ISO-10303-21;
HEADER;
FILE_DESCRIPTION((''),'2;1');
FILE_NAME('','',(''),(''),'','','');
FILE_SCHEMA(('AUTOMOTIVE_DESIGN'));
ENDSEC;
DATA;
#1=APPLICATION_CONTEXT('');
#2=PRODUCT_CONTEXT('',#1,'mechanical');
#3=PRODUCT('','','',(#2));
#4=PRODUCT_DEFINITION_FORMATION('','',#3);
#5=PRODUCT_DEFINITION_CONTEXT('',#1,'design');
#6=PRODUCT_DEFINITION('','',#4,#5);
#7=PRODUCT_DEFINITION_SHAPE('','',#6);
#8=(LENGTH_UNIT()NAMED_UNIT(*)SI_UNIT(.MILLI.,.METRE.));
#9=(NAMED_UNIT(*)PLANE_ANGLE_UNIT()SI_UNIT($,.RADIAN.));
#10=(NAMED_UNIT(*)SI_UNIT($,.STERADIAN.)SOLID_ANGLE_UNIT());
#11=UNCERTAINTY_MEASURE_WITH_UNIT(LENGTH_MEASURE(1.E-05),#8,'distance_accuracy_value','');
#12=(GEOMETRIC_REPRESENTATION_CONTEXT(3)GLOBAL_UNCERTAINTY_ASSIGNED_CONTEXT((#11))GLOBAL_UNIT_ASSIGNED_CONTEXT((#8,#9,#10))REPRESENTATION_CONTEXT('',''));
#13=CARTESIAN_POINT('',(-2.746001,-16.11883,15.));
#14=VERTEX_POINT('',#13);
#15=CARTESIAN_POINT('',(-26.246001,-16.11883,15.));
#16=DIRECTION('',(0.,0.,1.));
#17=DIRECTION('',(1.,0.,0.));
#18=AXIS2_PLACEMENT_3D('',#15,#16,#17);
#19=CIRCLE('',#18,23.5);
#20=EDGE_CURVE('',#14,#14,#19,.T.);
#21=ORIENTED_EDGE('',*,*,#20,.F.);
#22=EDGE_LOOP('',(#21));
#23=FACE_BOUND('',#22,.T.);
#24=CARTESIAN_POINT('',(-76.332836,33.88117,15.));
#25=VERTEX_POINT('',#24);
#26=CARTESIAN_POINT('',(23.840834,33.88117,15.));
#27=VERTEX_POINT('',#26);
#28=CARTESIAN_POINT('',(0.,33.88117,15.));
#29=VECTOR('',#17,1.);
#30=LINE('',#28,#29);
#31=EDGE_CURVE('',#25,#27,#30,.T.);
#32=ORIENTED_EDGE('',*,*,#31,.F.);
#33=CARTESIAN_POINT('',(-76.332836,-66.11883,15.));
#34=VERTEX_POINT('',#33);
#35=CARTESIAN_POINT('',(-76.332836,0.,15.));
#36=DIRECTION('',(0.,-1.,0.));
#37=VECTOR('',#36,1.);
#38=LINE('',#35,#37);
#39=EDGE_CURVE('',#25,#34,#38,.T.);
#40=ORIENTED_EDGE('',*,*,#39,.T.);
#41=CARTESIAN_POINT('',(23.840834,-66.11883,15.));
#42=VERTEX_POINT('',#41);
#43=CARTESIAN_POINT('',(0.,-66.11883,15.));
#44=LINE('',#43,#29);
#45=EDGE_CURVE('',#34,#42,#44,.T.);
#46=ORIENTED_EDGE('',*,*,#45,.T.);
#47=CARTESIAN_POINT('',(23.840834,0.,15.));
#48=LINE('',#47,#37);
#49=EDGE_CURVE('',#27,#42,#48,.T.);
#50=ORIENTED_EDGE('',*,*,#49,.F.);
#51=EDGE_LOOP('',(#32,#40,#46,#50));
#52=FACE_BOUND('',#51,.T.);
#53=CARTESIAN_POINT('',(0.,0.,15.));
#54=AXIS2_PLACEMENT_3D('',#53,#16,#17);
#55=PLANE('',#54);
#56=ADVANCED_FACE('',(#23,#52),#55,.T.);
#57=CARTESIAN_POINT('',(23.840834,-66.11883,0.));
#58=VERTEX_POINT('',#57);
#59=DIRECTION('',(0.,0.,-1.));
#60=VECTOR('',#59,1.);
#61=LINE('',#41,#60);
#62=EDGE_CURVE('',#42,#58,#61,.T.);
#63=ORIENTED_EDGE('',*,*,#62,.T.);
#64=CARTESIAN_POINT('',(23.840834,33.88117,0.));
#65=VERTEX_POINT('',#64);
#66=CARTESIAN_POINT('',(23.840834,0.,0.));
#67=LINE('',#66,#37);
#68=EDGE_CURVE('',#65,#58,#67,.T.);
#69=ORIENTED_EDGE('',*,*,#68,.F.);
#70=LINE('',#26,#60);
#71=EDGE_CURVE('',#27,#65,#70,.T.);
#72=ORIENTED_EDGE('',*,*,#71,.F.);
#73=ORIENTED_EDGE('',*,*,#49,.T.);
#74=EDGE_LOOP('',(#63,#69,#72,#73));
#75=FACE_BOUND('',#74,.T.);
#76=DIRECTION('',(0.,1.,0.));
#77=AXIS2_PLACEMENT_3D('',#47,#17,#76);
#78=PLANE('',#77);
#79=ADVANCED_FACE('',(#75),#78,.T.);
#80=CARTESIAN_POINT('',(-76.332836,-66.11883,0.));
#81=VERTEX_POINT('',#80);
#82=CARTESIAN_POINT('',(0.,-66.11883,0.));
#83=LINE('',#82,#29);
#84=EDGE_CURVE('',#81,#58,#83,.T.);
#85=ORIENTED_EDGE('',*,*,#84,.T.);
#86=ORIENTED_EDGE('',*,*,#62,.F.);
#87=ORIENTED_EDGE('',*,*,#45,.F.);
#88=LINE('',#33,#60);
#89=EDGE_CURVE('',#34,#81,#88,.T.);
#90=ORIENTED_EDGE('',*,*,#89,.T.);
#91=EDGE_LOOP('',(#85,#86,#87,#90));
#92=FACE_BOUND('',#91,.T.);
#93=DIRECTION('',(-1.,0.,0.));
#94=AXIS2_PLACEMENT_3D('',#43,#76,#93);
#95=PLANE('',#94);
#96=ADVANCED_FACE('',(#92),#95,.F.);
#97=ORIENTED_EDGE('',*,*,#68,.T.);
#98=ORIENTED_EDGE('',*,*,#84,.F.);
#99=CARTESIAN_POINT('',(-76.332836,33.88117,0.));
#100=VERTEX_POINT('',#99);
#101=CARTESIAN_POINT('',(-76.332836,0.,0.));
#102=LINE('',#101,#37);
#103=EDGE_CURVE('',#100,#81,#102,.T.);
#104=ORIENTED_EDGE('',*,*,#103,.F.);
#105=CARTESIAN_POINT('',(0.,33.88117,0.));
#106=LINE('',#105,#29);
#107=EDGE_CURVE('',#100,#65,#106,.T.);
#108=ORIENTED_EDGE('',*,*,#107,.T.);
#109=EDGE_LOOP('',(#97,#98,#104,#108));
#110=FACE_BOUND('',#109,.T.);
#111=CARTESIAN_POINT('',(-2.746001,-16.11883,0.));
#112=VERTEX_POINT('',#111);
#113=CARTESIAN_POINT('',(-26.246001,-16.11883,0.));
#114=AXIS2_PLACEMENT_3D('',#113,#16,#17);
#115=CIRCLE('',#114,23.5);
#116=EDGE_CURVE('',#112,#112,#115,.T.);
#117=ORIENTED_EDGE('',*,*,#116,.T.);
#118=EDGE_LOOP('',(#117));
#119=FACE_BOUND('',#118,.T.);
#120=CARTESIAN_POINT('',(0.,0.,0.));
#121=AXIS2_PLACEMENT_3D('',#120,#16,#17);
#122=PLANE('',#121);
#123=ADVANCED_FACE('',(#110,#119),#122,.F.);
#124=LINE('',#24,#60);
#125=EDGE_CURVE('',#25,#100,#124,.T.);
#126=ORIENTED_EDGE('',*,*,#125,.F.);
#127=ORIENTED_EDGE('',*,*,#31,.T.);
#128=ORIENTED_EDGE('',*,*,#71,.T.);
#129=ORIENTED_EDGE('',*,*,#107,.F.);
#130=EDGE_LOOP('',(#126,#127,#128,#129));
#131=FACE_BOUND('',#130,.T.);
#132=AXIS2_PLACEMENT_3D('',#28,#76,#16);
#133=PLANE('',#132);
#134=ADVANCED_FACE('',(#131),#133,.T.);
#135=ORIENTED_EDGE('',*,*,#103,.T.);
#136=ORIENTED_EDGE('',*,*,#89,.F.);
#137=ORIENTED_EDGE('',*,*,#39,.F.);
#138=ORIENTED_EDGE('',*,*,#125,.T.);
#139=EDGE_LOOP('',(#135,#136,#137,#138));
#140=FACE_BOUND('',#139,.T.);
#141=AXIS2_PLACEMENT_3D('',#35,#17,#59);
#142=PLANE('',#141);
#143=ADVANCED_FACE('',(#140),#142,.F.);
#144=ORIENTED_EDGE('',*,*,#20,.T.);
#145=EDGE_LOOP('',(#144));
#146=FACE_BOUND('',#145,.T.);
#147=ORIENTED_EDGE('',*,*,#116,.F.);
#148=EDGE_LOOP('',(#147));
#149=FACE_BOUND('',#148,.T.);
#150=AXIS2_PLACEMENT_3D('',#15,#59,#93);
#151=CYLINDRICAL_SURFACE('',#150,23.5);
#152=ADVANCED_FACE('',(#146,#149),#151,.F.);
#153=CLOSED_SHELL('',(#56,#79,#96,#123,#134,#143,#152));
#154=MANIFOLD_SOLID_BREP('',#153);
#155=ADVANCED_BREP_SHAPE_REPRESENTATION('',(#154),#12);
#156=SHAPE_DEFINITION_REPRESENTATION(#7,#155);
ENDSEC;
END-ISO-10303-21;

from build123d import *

# Parameters (mm, degrees)
ESQUISSE1_W        = 100.173670217
ESQUISSE1_H        = 100
ESQUISSE1_R        = 23.5
BOSS_EXTRU_1_DEPTH = 15


with BuildPart() as part:
    # Esquisse1 → Boss.-Extru.1 (new body)
    with BuildSketch(Plane.XY):
        with Locations((-26.246001082, -16.118829664)):
            Rectangle(ESQUISSE1_W, ESQUISSE1_H)
        with Locations((-26.246001082, -16.118829664)):
            Circle(ESQUISSE1_R, mode=Mode.SUBTRACT)
    extrude(amount=BOSS_EXTRU_1_DEPTH)


solid = part.part
